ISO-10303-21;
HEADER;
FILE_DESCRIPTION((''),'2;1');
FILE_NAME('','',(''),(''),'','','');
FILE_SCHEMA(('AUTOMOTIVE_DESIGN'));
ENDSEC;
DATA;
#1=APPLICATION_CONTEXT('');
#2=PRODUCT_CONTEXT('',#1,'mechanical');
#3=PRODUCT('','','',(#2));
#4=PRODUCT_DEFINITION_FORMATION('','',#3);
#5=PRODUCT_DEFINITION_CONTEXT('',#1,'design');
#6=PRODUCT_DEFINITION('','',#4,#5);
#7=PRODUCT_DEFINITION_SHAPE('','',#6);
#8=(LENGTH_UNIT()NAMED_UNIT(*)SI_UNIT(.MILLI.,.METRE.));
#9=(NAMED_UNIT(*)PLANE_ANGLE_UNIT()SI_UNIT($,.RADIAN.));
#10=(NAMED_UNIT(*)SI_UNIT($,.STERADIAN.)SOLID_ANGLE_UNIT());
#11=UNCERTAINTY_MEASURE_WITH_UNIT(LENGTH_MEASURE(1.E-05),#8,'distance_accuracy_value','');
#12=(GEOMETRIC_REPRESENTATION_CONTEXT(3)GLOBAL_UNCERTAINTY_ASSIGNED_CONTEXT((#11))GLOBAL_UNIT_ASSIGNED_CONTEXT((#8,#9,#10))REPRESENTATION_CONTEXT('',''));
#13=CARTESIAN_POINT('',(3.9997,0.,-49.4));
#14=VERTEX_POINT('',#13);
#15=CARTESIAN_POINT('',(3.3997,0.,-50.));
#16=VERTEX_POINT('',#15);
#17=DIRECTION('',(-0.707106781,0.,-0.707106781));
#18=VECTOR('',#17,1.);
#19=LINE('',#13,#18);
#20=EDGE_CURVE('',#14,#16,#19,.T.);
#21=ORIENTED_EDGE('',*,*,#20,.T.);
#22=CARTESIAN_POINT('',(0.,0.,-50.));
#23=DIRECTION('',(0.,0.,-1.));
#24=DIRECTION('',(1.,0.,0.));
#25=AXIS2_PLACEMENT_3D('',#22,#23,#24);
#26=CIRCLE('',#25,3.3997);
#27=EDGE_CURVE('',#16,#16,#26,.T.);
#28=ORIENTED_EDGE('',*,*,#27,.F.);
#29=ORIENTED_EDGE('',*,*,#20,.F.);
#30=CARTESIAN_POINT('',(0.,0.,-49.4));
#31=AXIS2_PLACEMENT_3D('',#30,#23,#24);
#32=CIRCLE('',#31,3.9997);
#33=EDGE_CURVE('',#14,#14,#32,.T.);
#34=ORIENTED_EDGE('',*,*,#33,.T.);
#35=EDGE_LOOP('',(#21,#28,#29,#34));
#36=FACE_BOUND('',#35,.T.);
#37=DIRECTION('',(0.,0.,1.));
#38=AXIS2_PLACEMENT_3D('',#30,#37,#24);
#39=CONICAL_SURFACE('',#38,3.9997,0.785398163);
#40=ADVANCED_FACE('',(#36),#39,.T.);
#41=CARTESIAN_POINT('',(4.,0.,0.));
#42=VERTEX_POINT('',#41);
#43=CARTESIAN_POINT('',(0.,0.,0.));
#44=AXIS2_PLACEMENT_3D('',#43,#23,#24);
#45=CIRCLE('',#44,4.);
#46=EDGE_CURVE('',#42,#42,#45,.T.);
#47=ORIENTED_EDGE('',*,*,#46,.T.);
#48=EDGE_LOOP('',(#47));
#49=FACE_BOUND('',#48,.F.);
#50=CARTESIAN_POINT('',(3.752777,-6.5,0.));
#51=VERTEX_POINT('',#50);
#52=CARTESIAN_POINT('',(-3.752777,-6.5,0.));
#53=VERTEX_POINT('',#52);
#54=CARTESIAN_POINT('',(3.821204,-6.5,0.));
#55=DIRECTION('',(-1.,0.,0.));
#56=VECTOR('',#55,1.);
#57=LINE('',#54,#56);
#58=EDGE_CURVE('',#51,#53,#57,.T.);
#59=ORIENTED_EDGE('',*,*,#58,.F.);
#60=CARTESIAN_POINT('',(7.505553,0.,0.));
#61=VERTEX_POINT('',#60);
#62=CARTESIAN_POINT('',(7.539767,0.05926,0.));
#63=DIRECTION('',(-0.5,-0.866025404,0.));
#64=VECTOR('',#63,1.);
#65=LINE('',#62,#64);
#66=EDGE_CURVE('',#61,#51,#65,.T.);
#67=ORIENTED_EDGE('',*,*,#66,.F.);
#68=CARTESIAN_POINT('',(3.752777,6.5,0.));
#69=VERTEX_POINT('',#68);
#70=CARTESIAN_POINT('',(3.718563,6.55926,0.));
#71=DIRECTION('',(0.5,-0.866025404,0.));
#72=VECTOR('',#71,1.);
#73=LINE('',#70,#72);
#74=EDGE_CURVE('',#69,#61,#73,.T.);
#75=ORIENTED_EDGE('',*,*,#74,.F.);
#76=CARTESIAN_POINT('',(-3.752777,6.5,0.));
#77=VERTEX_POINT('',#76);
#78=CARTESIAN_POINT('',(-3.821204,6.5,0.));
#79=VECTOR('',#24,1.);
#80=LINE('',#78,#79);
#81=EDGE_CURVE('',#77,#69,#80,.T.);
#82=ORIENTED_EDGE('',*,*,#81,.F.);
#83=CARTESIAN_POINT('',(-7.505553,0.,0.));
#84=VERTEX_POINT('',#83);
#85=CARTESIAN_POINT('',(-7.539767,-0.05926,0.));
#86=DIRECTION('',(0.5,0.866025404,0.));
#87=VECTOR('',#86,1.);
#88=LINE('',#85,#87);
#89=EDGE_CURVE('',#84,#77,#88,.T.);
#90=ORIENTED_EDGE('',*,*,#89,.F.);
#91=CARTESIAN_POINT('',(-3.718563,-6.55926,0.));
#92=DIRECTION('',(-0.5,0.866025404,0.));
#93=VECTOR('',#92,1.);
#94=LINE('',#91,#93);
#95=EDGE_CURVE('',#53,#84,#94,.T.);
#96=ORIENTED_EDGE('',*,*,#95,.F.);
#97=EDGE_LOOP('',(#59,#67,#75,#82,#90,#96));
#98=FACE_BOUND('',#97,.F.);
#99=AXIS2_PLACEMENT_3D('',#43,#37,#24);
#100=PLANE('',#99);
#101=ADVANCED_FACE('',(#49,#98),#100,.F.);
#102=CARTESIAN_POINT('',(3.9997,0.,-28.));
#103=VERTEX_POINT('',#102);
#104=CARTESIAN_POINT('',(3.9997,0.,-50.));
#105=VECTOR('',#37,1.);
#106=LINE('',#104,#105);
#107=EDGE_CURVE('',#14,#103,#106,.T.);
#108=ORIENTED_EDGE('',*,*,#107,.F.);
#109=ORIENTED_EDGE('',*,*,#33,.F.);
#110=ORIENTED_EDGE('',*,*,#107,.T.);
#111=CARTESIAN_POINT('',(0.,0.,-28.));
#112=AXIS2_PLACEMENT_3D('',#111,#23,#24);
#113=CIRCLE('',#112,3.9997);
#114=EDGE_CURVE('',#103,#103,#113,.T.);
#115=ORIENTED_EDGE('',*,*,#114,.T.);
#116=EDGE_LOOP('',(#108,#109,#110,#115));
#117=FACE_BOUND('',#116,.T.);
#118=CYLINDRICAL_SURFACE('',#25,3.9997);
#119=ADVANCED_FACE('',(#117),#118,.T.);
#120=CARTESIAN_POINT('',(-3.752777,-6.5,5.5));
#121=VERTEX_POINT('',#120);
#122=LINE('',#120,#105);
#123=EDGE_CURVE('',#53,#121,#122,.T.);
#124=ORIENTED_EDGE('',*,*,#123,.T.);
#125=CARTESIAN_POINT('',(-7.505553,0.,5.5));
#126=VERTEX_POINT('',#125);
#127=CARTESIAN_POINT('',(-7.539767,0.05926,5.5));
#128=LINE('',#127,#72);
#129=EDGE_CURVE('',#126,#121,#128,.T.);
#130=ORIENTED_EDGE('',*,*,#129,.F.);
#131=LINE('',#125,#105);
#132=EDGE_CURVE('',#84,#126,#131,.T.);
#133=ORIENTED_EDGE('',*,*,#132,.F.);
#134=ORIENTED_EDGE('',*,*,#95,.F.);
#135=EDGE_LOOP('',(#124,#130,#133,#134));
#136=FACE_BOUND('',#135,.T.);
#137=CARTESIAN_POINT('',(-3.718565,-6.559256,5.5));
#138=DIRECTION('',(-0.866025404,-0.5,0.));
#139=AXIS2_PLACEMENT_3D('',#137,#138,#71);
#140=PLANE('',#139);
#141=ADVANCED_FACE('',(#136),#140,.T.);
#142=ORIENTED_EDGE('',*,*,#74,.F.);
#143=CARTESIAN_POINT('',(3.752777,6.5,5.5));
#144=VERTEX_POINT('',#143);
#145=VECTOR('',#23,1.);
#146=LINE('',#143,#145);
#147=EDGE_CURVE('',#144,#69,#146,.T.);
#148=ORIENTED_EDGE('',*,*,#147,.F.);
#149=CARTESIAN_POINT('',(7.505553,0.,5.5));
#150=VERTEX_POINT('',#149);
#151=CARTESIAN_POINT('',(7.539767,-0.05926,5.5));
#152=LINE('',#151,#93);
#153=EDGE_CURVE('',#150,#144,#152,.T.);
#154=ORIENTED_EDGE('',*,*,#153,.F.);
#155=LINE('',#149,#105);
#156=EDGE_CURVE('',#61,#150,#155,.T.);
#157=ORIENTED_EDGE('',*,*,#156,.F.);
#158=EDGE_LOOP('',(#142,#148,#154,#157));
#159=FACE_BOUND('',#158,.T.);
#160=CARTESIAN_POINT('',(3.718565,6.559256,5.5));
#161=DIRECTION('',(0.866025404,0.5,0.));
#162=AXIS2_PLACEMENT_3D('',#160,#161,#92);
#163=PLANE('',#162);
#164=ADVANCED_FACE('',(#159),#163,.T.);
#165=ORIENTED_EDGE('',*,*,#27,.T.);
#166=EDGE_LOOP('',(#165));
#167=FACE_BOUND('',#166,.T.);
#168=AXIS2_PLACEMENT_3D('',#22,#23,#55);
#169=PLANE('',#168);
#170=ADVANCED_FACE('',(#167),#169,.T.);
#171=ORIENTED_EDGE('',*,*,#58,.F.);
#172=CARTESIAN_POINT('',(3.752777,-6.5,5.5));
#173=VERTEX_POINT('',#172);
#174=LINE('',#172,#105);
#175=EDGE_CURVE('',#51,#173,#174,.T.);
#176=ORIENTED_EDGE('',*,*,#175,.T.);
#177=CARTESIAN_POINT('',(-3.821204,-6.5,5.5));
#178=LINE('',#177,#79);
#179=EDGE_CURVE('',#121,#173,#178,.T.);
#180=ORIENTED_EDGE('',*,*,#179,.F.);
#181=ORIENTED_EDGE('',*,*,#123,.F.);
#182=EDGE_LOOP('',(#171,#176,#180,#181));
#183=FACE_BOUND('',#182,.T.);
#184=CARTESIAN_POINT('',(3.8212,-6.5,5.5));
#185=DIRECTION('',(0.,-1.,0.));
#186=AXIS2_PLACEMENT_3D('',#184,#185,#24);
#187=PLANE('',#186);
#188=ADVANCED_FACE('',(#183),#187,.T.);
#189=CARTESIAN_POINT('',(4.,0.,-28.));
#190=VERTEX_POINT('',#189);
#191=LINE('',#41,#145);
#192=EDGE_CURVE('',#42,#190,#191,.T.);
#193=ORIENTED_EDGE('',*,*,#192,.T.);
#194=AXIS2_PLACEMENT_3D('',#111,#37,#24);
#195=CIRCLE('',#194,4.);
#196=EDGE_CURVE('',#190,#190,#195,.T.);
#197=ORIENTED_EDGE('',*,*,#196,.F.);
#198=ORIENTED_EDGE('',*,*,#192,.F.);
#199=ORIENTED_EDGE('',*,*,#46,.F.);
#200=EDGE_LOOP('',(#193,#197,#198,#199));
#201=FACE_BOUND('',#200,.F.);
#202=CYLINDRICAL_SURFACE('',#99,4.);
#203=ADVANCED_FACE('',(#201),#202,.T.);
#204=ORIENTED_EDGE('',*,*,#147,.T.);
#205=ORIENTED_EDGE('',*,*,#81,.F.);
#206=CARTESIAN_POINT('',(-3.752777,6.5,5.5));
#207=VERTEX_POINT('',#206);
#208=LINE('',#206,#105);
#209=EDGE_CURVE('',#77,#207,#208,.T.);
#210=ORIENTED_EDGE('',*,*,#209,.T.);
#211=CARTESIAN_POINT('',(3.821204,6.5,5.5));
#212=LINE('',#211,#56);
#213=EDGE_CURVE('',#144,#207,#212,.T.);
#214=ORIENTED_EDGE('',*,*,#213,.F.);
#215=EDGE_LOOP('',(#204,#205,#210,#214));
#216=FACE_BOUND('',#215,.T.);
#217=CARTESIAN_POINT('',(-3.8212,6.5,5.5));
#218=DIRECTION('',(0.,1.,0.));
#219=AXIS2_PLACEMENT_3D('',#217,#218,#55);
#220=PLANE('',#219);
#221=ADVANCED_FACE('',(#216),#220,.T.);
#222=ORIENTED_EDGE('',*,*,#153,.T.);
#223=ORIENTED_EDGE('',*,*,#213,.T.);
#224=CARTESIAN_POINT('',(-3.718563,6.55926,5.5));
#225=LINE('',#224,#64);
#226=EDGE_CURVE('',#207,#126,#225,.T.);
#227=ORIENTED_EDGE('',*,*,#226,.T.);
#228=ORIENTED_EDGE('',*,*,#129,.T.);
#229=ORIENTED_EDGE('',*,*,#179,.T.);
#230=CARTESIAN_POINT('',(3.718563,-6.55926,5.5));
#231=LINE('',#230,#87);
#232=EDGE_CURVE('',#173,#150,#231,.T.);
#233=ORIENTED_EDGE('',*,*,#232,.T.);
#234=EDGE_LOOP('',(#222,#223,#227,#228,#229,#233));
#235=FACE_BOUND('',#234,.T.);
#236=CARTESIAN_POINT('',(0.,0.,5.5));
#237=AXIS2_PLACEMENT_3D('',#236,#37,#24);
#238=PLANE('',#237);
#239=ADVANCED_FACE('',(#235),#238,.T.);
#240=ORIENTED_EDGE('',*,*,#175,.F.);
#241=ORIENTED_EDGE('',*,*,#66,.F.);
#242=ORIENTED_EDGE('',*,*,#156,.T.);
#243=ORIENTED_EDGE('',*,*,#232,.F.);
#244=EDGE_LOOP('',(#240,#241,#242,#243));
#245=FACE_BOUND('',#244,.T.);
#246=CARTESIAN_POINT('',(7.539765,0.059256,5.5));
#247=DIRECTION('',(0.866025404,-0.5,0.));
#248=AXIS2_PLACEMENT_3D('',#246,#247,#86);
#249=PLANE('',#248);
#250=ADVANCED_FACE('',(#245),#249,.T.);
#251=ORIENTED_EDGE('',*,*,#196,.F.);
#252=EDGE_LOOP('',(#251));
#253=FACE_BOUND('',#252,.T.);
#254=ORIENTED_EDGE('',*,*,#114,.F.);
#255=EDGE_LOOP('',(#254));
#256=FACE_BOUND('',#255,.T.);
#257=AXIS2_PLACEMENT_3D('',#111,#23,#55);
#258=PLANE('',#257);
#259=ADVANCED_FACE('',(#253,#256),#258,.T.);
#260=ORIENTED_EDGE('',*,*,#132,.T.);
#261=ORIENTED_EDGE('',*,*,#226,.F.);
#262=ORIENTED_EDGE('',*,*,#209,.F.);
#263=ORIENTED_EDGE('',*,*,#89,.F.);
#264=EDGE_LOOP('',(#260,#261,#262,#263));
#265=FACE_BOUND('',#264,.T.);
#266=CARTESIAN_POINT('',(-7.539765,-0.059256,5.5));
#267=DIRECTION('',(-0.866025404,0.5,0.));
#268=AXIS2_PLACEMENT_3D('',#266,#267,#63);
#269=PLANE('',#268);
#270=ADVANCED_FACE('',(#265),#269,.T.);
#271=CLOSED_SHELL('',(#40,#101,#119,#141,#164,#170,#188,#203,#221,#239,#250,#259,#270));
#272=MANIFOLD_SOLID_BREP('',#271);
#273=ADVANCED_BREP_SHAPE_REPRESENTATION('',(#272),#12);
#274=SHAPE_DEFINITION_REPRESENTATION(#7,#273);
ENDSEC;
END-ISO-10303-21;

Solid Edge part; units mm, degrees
sketch "Sketch1" plane through (0, 0, 0) normal (0, 0, 1) x (1, 0, 0)
  circle A0 centre (0, 0) radius 7.54
  dimension "D1" = 15.08
extrude "Protrusion1" add sketch "Sketch1" along normal blind 5.5
sketch "Sketch2" plane through (0, 0, 0) normal (0, 0, -1) x (1, 0, 0)
  circle A0 centre (0, 0) radius 4
extrude "Protrusion2" add sketch "Sketch2" along normal blind 50
sketch "Sketch3" plane through (0, 0, -50) normal (0, 0, -1) x (1, 0, 0)
  circle A0 centre (0, 0) radius 3.9997
extrude "Cutout1" cut sketch "Sketch3" against normal blind 22 flip side to cut
chamfer "Chamfer_1" distance 0.6 angle 45 1 edges at (-3.9997, 0, -50)
sketch "Sketch4" plane through (0, 0, 5.5) normal (0, 0, 1) x (1, 0, 0)
  line L0 (-3.8212, 6.5) -> (3.8212, 6.5)
  dimension "D1" = 13
extrude "Cutout2" cut sketch "Sketch4" against normal up to next material side at (0, 6.55, 5.5)
pattern_circular "Pattern1" count 6 over 360 about axis through (0, 0, 5.5) along (0, 0, 1) of "Cutout2"
properties part number "118296"
